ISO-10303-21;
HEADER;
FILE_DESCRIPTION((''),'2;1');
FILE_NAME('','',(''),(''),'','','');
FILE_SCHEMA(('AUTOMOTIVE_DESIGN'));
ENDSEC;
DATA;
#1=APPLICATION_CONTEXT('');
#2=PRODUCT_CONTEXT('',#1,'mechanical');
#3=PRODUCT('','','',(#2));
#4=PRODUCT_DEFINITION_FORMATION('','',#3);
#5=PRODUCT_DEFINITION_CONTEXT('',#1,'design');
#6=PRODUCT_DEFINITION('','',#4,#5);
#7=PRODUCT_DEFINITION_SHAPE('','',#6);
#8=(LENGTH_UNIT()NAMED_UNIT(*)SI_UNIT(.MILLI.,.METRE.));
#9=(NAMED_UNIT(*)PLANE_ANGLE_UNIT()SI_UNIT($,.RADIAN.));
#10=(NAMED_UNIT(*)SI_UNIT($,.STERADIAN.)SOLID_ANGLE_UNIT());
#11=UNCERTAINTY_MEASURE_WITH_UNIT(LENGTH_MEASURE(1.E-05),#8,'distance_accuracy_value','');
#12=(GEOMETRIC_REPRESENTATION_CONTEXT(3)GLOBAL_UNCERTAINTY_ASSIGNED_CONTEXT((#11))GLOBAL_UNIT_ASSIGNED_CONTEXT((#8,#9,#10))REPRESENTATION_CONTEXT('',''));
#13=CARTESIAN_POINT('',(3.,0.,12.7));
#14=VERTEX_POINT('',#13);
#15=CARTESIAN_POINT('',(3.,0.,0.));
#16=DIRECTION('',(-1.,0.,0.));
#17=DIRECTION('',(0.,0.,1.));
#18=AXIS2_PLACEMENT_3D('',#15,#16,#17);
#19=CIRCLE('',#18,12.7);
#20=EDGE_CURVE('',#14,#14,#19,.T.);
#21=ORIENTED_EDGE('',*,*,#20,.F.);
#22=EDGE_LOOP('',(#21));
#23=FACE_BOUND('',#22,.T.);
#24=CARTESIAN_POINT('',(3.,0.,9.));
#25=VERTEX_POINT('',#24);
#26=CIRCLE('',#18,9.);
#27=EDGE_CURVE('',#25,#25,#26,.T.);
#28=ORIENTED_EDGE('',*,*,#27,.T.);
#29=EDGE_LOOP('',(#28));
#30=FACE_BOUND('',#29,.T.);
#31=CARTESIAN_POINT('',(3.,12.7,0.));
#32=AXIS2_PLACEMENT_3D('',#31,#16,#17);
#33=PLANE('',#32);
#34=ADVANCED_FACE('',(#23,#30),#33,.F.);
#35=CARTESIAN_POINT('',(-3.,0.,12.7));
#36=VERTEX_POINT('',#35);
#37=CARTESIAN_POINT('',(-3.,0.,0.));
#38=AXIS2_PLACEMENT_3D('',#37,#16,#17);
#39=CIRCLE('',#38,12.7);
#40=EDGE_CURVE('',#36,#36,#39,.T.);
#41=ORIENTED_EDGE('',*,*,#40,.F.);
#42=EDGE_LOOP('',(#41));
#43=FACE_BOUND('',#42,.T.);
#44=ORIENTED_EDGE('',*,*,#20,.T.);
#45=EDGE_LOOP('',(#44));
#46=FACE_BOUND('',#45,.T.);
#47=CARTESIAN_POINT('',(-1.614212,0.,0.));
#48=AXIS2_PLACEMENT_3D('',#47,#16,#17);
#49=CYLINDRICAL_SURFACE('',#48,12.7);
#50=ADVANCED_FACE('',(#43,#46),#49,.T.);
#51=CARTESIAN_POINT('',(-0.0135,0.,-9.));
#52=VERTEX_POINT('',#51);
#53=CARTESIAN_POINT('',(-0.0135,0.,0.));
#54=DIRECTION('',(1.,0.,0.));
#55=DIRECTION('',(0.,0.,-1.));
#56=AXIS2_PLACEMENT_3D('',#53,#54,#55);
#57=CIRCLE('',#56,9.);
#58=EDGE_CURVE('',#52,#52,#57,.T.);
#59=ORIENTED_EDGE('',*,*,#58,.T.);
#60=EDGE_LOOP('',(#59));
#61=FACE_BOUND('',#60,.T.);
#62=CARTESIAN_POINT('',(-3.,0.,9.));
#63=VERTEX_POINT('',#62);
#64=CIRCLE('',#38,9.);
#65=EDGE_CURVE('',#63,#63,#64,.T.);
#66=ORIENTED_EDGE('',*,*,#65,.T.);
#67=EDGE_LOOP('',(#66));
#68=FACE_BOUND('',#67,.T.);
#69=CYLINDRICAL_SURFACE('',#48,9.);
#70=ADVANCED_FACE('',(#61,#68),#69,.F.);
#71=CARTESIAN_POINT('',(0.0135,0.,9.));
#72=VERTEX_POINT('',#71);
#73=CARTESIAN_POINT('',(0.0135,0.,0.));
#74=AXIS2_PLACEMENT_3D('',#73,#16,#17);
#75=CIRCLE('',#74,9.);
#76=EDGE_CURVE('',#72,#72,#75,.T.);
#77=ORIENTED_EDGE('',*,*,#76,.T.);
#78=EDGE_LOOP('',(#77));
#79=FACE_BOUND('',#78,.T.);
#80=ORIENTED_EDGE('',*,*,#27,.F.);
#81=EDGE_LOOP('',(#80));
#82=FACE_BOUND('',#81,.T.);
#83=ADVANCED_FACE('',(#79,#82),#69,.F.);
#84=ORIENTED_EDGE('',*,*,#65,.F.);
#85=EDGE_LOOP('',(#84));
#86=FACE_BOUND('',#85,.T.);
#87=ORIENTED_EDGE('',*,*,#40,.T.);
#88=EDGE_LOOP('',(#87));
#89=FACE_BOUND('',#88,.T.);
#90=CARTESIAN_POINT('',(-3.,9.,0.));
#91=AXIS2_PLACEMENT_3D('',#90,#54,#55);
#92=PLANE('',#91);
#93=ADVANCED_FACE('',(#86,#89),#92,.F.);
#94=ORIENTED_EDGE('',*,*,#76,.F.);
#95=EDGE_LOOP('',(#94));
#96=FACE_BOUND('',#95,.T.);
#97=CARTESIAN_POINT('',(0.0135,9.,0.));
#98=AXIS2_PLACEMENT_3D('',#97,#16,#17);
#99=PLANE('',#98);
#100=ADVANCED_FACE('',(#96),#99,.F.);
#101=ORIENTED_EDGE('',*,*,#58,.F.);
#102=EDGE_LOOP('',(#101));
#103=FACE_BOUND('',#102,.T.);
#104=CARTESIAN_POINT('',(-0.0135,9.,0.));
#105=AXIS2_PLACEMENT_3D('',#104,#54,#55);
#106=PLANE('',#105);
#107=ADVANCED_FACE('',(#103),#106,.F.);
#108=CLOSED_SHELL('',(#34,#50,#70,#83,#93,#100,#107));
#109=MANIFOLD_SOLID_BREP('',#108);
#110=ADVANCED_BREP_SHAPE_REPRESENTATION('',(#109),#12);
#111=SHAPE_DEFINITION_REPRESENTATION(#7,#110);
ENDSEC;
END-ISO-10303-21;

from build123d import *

# Parameters (mm, degrees)
SKETCH_1_W = 0.027
SKETCH_1_H = 9
SKETCH_4_W = 6
SKETCH_4_H = 3.7


with BuildPart() as part:
    # 草图1 → 旋转2 (revolve)
    with BuildSketch(Plane.XY, mode=Mode.PRIVATE) as revolve_2_sk:
        with Locations((0, 4.5)):
            Rectangle(SKETCH_1_W, SKETCH_1_H)
    revolve(revolve_2_sk.sketch.rotate(Axis((-0.0135, 0, 0), (1, 0, 0)), 90), axis=Axis((-0.0135, 0, 0), (1, 0, 0)))  # turned: the seam where the file's is

    # 草图4 → 旋转3 (revolve)
    with BuildSketch(Plane.XY, mode=Mode.PRIVATE) as revolve_3_sk:
        with Locations((0, 10.85)):
            Rectangle(SKETCH_4_W, SKETCH_4_H)
    revolve(revolve_3_sk.sketch.rotate(Axis((-1.614212419, 0, 0), (1, 0, 0)), 90), axis=Axis((-1.614212419, 0, 0), (1, 0, 0)))  # turned: the seam where the file's is


solid = part.part
